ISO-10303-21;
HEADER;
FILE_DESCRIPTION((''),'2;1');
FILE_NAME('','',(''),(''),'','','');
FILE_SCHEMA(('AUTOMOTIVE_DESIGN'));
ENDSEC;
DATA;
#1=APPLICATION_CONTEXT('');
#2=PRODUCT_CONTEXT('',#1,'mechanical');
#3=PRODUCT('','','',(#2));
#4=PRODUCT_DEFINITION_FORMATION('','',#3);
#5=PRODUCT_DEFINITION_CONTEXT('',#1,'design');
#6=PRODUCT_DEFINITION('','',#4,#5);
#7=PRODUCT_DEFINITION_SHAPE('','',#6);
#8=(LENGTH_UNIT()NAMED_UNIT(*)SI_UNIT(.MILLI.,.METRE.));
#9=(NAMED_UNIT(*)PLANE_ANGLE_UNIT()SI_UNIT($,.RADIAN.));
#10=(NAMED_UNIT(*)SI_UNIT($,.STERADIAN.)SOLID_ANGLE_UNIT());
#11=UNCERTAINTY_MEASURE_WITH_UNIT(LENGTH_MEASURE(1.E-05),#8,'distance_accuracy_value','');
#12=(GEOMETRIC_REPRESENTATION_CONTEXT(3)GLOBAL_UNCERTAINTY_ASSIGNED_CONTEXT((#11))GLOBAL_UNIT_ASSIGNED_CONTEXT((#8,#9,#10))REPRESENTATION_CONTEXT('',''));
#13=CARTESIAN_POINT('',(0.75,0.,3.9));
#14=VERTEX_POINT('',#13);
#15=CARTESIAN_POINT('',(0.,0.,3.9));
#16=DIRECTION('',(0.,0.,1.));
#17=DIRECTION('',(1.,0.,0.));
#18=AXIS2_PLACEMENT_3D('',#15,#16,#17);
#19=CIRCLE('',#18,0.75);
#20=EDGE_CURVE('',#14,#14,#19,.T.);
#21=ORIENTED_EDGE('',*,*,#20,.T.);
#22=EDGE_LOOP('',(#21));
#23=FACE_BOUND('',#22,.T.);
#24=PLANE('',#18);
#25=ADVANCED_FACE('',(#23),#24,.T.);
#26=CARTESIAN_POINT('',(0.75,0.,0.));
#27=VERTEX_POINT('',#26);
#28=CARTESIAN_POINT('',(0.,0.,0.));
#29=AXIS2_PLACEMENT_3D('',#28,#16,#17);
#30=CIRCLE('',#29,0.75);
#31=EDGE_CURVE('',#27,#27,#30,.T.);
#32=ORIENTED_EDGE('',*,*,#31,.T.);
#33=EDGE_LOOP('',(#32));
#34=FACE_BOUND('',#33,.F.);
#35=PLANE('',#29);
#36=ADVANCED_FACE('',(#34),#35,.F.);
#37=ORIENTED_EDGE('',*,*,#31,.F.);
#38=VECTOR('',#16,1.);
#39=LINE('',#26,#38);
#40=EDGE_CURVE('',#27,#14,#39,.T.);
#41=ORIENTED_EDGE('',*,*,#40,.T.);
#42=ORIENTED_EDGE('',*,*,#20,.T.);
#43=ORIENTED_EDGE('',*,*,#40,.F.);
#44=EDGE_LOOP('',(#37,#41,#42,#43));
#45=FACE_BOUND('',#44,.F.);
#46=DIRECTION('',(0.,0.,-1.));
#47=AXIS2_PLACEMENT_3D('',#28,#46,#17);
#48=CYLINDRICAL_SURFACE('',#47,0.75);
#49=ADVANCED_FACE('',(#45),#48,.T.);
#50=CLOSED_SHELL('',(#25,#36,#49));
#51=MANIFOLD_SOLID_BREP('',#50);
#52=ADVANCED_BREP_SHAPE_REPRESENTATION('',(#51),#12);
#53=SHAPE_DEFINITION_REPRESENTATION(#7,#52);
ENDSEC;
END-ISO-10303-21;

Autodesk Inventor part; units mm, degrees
ref_plane "YZ Plane" through (0, 0, 0) normal (1, 0, 0) x (0, 1, 0)
ref_plane "XZ Plane" through (0, 0, 0) normal (0, 1, 0) x (-1, 0, 0)
ref_plane "XY Plane" through (0, 0, 0) normal (0, 0, 1) x (1, 0, 0)
sketch "Skizze1" plane through (0, 0, 0) normal (0, 0, 1) x (1, 0, 0)
  circle A0 centre (0, 0) radius 0.75
  dimension "d0" = 1.5
  dimension "d0" = 1.5
extrude "Extrusion1" add sketch "Skizze1" along normal blind 3.9
properties part number "Stift01"
